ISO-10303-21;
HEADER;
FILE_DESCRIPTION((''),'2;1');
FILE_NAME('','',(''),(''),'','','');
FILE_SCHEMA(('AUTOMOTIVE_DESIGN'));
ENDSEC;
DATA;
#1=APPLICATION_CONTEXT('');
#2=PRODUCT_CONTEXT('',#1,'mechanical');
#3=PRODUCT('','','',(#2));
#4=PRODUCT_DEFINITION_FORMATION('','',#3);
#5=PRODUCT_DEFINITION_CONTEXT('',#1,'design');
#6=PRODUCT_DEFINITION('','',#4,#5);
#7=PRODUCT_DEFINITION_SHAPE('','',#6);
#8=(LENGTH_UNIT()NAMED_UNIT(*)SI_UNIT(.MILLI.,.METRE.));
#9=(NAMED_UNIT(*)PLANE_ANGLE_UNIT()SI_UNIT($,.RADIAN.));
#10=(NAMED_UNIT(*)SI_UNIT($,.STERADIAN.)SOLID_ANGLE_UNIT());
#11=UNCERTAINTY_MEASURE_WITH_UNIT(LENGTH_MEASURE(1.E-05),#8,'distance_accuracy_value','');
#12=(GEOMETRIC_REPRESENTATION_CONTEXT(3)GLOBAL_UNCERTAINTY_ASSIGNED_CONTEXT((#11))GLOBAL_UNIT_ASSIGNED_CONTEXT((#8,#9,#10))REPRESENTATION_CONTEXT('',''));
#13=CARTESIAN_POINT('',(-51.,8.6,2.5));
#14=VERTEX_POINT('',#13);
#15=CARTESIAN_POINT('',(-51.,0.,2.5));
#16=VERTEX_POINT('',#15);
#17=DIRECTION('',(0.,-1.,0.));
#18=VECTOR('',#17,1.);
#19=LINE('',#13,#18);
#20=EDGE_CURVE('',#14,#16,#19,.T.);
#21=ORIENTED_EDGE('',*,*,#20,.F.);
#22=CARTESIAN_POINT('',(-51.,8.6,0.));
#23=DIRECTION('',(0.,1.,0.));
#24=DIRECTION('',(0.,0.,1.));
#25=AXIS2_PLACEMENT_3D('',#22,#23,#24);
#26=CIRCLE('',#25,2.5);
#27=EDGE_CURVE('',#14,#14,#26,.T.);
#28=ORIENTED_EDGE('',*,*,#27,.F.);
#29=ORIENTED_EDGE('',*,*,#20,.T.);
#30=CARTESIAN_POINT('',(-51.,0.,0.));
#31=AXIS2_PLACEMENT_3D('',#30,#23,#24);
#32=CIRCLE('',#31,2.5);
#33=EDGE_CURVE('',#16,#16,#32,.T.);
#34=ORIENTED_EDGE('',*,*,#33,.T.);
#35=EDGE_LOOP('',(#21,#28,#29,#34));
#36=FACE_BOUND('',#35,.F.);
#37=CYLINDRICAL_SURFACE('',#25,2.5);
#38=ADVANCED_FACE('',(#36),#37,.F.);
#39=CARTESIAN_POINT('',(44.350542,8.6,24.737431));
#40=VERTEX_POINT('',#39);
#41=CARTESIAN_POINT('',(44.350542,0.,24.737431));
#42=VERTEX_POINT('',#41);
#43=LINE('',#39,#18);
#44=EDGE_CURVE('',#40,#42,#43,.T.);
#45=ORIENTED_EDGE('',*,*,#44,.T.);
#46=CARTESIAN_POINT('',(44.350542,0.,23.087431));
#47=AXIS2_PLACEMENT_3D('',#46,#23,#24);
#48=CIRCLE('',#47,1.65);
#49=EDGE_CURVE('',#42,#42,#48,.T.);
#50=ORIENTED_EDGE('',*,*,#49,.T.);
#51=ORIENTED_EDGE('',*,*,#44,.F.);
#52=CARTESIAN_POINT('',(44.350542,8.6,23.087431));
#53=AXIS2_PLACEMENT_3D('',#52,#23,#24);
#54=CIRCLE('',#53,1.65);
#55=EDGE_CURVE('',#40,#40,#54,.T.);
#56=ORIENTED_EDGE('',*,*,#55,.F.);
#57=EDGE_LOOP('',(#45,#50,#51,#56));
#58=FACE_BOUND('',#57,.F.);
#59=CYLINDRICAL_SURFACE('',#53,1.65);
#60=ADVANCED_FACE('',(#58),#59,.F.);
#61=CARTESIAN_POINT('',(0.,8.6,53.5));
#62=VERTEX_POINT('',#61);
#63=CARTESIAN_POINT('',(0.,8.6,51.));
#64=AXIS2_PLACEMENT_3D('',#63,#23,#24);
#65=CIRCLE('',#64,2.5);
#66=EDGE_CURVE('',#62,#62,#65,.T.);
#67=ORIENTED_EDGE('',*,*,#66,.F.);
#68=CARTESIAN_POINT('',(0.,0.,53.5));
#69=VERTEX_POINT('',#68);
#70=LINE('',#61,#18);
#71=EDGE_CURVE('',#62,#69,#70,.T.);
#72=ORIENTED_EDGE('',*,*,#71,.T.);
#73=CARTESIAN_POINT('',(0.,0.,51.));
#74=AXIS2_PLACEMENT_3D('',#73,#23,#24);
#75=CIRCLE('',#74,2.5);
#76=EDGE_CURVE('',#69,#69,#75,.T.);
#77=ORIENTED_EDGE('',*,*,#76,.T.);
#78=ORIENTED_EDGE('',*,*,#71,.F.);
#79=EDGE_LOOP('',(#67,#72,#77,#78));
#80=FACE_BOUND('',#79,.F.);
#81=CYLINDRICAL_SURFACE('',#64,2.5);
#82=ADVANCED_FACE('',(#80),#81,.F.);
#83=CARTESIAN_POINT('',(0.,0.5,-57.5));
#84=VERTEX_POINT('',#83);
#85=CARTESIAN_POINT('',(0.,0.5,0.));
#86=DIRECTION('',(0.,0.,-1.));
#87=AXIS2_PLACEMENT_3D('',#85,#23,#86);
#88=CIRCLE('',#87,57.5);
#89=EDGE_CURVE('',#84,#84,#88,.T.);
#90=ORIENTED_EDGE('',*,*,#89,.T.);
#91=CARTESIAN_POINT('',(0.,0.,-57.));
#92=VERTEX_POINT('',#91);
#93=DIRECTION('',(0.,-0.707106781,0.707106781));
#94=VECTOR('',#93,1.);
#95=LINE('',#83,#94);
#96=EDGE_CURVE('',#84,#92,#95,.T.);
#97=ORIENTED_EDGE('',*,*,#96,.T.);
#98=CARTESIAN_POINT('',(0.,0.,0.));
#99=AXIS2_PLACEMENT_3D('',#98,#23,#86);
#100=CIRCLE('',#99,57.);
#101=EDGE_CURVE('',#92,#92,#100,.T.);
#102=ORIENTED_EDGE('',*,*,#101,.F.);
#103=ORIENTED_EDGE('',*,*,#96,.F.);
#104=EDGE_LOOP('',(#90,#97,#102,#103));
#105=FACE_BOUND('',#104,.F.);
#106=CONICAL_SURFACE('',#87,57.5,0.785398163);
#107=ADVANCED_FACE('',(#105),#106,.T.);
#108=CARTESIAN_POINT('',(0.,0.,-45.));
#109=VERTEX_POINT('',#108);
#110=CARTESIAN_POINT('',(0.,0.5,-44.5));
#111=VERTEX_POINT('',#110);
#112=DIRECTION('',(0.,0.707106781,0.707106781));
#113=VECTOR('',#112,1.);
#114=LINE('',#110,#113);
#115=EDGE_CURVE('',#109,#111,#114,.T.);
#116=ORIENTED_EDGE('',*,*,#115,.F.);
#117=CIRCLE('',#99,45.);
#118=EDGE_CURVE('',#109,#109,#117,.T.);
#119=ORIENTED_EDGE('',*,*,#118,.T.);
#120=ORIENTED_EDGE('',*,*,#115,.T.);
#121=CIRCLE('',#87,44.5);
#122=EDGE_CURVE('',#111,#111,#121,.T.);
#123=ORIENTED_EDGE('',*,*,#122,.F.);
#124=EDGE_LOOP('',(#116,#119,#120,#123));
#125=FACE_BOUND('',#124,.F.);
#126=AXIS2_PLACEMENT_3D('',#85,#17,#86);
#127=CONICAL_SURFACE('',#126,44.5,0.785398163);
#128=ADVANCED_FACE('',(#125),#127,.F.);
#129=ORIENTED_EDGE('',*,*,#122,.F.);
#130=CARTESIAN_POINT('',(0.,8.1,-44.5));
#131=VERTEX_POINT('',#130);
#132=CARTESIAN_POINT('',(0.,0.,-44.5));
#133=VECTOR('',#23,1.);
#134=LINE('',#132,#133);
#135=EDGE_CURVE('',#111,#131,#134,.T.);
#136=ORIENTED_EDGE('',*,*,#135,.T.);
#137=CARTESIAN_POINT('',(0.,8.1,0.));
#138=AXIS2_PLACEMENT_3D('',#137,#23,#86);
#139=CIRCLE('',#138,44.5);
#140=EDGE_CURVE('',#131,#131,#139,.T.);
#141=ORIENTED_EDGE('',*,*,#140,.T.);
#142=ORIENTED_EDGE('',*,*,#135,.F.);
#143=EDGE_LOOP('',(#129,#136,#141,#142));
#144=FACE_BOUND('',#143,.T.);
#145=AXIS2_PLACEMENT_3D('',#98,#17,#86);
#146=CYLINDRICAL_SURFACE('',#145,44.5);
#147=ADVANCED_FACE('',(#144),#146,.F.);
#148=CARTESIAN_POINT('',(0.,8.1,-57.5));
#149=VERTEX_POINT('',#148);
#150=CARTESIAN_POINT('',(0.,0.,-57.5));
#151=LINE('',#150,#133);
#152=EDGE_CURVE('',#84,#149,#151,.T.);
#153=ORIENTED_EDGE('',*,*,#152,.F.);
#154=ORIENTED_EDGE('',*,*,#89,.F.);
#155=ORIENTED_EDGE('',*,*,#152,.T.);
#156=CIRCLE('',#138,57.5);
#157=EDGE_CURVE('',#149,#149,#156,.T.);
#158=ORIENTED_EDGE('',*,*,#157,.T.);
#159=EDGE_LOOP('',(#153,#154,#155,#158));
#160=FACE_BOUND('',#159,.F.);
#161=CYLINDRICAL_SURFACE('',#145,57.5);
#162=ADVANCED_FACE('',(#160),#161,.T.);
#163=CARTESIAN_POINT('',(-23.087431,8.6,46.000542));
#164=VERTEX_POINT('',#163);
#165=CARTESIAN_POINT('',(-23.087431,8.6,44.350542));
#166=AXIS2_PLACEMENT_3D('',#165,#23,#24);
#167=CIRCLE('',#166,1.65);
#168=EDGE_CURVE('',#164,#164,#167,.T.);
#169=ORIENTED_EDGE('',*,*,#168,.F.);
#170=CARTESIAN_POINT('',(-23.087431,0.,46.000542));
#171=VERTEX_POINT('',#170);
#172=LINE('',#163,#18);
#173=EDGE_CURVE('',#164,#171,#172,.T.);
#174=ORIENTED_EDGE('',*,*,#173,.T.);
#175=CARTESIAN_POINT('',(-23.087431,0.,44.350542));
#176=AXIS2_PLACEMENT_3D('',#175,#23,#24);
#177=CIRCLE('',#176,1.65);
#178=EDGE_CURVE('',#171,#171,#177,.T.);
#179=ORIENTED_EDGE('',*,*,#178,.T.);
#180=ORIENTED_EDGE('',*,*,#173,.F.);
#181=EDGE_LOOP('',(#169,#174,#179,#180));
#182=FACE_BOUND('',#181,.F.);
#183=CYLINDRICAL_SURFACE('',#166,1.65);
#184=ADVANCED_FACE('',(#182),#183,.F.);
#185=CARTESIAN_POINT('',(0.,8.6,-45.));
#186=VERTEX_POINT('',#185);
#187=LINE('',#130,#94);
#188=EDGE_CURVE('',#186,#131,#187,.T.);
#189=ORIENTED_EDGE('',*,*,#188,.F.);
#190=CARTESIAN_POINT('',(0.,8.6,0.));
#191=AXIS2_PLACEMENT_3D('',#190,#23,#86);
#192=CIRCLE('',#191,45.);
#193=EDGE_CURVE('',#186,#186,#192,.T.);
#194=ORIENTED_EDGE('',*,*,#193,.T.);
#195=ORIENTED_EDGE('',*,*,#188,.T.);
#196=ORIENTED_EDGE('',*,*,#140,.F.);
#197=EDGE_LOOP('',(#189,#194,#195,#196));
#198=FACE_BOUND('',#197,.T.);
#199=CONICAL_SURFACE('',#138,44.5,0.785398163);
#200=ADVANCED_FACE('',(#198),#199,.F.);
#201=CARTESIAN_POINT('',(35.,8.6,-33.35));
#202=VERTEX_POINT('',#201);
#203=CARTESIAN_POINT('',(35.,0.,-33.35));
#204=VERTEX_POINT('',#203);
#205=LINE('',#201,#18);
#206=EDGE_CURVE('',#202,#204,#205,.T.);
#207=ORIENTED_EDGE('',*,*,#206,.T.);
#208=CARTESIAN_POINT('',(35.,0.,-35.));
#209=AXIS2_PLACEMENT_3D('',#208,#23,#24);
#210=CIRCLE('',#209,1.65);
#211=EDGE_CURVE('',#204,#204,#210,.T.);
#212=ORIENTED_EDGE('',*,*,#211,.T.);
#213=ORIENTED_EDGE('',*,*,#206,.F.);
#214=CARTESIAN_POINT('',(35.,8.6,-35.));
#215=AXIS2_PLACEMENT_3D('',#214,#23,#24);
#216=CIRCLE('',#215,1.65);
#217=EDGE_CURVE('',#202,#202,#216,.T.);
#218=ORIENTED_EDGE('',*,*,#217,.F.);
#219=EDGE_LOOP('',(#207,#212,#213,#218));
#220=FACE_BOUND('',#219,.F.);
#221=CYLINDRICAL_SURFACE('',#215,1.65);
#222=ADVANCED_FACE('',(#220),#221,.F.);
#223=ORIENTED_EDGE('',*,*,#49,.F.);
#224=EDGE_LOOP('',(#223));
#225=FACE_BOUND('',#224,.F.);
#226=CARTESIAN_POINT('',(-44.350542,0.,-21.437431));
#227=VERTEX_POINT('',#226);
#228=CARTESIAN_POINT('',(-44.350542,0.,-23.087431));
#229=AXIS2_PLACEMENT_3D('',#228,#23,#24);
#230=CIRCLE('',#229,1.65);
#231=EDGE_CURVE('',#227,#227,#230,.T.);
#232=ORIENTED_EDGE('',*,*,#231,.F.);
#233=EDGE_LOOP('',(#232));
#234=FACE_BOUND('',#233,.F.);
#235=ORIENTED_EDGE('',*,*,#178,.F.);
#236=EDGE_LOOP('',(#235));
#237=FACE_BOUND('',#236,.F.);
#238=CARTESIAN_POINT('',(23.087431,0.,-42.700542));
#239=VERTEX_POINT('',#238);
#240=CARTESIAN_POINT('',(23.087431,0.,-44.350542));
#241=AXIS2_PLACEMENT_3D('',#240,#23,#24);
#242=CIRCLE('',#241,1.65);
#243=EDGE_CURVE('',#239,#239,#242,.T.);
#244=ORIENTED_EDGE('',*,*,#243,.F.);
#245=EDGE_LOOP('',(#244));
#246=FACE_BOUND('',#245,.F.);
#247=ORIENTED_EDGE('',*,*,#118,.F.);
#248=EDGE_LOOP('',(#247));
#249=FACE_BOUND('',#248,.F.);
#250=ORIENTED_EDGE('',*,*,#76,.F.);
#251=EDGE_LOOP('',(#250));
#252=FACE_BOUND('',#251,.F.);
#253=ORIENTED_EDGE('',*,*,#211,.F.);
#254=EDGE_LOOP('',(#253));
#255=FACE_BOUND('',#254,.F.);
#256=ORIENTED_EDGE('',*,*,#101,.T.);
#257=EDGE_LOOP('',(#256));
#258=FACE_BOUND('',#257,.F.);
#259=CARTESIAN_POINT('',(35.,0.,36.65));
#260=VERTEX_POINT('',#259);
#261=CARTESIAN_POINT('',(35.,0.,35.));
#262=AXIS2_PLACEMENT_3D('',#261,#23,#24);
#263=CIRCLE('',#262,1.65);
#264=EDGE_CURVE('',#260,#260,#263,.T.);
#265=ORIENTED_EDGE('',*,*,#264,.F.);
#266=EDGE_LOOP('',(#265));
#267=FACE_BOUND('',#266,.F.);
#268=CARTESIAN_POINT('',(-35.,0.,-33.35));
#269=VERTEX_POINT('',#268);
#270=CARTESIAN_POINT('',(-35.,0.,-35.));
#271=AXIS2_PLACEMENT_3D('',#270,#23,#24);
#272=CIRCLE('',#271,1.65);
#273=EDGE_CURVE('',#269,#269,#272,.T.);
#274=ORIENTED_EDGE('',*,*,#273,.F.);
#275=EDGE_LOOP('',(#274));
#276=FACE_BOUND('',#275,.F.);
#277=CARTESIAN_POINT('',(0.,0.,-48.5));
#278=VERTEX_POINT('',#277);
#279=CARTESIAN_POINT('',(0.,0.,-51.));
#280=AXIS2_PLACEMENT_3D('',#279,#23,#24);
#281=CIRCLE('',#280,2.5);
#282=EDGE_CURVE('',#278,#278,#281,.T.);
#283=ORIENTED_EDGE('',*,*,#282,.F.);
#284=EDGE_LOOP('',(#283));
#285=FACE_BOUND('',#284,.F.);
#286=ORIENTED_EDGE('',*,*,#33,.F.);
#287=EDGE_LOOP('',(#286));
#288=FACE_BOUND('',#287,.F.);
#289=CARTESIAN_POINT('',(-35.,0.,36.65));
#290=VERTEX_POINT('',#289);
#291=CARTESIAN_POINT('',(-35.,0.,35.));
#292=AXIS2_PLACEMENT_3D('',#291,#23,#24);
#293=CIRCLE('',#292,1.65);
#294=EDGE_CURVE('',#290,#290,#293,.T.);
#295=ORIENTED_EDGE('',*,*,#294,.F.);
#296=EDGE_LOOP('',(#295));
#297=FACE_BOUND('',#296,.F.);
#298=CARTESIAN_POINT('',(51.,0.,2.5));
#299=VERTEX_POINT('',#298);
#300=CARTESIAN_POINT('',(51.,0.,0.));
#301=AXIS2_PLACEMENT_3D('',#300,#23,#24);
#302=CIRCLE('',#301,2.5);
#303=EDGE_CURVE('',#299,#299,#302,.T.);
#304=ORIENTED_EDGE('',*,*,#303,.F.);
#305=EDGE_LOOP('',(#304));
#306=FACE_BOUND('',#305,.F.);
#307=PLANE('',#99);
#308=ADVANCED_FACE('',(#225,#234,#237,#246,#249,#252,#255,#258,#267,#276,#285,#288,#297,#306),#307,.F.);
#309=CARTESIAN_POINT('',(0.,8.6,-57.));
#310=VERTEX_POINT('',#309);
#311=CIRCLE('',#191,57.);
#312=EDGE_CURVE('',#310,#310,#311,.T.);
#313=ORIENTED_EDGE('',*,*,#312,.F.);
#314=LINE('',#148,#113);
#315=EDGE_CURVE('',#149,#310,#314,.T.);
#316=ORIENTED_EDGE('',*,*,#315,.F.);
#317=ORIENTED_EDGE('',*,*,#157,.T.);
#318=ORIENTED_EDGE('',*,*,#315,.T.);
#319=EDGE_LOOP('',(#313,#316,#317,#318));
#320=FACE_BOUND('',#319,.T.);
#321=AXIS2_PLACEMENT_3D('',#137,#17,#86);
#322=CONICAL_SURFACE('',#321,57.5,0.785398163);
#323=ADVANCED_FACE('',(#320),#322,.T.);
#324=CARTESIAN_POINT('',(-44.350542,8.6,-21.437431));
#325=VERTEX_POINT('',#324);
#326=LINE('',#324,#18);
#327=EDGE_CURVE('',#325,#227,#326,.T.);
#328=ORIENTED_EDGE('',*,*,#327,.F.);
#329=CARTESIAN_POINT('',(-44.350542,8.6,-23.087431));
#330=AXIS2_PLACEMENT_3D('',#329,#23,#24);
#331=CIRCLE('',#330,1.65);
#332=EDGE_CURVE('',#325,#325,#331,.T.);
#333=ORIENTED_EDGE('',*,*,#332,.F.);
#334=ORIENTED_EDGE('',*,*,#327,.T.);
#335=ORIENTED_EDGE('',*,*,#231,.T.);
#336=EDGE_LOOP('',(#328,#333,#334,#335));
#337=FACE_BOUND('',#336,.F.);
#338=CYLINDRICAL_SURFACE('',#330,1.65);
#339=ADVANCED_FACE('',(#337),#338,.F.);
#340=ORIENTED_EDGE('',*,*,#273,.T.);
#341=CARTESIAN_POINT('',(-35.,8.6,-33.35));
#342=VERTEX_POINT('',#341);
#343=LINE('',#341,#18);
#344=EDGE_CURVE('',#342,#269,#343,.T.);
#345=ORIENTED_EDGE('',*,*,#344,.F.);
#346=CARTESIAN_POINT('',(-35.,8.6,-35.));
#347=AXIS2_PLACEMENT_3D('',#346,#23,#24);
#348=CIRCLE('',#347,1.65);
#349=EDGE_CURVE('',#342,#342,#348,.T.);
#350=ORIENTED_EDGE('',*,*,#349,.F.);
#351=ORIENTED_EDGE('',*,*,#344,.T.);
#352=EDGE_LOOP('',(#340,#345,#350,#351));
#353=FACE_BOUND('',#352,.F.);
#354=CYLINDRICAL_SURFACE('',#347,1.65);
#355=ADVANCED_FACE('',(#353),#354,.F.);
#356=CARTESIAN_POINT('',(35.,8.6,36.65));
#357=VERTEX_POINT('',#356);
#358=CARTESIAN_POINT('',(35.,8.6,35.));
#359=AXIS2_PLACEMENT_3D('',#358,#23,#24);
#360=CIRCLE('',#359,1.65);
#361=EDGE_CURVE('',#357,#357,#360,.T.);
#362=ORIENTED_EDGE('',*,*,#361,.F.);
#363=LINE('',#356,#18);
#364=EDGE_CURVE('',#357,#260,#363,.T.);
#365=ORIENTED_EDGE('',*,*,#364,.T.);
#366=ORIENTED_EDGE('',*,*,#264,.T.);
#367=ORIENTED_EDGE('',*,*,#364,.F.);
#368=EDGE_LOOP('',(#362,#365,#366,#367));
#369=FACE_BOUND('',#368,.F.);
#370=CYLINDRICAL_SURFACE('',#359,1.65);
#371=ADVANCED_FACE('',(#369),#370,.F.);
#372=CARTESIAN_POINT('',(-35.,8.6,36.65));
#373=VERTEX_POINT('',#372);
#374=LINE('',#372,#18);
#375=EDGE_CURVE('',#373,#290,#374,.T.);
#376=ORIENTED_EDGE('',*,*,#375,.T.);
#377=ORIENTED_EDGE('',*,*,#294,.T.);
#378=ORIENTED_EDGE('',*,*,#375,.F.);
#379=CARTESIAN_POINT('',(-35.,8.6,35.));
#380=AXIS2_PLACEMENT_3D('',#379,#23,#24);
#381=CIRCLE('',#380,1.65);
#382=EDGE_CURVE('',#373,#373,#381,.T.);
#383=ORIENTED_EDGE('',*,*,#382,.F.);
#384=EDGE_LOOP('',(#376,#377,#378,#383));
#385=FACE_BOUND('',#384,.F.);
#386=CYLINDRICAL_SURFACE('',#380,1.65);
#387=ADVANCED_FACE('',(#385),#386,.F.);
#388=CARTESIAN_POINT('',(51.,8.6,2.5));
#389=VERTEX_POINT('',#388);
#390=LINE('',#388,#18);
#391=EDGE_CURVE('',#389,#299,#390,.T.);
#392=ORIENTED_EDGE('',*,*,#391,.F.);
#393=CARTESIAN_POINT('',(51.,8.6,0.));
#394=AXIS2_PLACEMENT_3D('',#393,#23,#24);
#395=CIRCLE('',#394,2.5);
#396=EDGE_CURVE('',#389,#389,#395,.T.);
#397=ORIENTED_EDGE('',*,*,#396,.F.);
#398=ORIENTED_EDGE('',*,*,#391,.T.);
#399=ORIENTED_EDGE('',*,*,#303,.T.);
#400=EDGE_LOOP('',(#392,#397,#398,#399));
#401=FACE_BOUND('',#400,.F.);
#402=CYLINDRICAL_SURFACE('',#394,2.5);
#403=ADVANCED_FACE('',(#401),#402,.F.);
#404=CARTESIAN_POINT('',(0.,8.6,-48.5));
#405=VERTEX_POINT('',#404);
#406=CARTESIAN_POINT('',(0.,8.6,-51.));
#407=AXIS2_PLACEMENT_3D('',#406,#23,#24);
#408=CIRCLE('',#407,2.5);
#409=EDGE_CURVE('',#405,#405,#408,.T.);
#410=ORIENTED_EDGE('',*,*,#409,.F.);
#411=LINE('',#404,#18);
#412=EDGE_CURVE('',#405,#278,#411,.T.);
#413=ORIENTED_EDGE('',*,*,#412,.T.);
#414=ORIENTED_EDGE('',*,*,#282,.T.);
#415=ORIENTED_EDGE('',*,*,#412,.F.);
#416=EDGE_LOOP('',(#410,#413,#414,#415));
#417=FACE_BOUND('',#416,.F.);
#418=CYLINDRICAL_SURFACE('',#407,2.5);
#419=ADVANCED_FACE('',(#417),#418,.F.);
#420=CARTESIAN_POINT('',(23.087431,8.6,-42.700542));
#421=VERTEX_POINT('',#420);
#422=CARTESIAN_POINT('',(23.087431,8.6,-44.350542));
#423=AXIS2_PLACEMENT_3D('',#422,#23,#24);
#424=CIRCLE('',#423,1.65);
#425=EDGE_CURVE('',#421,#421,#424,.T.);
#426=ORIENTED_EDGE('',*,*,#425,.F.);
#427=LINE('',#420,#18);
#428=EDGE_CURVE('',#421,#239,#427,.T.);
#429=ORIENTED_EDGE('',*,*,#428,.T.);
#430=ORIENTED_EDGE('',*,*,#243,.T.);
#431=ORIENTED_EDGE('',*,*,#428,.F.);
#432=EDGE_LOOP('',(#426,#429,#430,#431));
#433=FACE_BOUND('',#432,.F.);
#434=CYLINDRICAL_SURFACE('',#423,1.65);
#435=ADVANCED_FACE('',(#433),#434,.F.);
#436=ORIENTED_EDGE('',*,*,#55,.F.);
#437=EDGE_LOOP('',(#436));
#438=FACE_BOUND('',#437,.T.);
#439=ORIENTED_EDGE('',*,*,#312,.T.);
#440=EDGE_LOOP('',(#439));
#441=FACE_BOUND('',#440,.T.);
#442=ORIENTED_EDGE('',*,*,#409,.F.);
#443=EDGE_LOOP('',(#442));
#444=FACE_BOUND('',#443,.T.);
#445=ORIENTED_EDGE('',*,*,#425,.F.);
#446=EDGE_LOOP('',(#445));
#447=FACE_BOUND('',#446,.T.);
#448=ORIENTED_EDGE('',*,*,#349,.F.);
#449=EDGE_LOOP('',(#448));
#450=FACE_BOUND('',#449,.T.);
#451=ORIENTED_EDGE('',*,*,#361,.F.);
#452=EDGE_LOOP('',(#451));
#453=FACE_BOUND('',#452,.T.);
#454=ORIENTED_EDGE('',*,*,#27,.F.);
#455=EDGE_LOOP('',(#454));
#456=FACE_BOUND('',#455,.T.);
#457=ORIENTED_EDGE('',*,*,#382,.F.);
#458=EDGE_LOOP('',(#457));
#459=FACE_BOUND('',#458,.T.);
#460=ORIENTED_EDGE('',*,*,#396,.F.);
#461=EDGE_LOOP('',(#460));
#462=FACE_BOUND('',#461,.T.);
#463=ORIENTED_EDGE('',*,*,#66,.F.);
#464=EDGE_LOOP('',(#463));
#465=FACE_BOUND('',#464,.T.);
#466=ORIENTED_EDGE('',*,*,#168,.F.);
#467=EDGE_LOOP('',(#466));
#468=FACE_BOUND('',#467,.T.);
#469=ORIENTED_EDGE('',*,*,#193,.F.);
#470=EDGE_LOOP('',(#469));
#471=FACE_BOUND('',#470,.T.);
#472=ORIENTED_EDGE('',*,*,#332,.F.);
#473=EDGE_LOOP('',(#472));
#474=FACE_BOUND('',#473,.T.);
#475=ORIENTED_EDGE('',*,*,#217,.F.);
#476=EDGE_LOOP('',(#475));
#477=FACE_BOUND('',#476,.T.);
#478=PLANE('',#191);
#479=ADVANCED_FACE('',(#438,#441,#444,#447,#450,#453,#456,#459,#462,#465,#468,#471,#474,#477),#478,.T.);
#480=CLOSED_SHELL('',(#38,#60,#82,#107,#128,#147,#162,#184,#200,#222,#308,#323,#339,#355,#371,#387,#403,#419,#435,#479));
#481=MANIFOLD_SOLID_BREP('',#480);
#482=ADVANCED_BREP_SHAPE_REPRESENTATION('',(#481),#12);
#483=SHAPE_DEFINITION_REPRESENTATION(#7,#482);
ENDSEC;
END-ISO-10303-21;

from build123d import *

# Parameters (mm, degrees)
SKETCH_1_R          = 57.5
SKETCH_1_R_2        = 44.5
EXTRUDE_1_DEPTH     = 8.6
SKETCH_2_R          = 2.5
CUT_EXTRUDE_1_DEPTH = 82.770777176
CHAMFER_1_SIZE      = 0.5
SKETCH_3_R          = 1.65
CUT_EXTRUDE_2_DEPTH = 82.770777176


with BuildPart() as part:
    # ｽｹｯﾁ1 → ﾎﾞｽ - 押し出し1 (new body)
    with BuildSketch(Plane(origin=(0, 0, 0), x_dir=(1, 0, 0), z_dir=(0, 1, 0))):
        with Locations(Location((0, 0, 0), (0, 0, 90))):
            Circle(SKETCH_1_R)
        with Locations(Location((0, 0, 0), (0, 0, 90))):
            Circle(SKETCH_1_R_2, mode=Mode.SUBTRACT)
    extrude(amount=EXTRUDE_1_DEPTH)

    # ｽｹｯﾁ2 → ｶｯﾄ - 押し出し1 (cut, through all)
    with BuildSketch(Plane(origin=(0, 8.6, 0), x_dir=(1, 0, 0), z_dir=(0, 1, 0))):
        with Locations(Location((-51, 0, 0), (0, 0, 270))):
            Circle(SKETCH_2_R)
        with Locations(Location((0, 51, 0), (0, 0, 270))):
            Circle(SKETCH_2_R)
        with Locations(Location((51, 0, 0), (0, 0, 270))):
            Circle(SKETCH_2_R)
        with Locations(Location((0, -51, 0), (0, 0, 270))):
            Circle(SKETCH_2_R)
    extrude(amount=-CUT_EXTRUDE_1_DEPTH, mode=Mode.SUBTRACT)

    # 面取り1
    chamfer_1_edges = [part.edges().sort_by_distance(p)[0] for p in [
        (0, 0, 57.5),
        (0, 8.6, 57.5),
        (0, 0, 44.5),
        (0, 8.6, 44.5),
    ]]
    chamfer(chamfer_1_edges, length=CHAMFER_1_SIZE)

    # ｽｹｯﾁ3 → ｶｯﾄ - 押し出し2 (cut, through all)
    with BuildSketch(Plane(origin=(0, 8.6, 0), x_dir=(1, 0, 0), z_dir=(0, 1, 0))):
        with Locations(Location((-35, 35, 0), (0, 0, 270))):
            Circle(SKETCH_3_R)
        with Locations(Location((-35, -35, 0), (0, 0, 270))):
            Circle(SKETCH_3_R)
        with Locations(Location((35, -35, 0), (0, 0, 270))):
            Circle(SKETCH_3_R)
        with Locations(Location((35, 35, 0), (0, 0, 270))):
            Circle(SKETCH_3_R)
        with Locations(Location((23.087430662, 44.350541659, 0), (0, 0, 270))):
            Circle(SKETCH_3_R)
        with Locations(Location((44.350541659, -23.087430662, 0), (0, 0, 270))):
            Circle(SKETCH_3_R)
        with Locations(Location((-23.087430662, -44.350541659, 0), (0, 0, 270))):
            Circle(SKETCH_3_R)
        with Locations(Location((-44.350541659, 23.087430662, 0), (0, 0, 270))):
            Circle(SKETCH_3_R)
    extrude(amount=-CUT_EXTRUDE_2_DEPTH, mode=Mode.SUBTRACT)


solid = part.part
